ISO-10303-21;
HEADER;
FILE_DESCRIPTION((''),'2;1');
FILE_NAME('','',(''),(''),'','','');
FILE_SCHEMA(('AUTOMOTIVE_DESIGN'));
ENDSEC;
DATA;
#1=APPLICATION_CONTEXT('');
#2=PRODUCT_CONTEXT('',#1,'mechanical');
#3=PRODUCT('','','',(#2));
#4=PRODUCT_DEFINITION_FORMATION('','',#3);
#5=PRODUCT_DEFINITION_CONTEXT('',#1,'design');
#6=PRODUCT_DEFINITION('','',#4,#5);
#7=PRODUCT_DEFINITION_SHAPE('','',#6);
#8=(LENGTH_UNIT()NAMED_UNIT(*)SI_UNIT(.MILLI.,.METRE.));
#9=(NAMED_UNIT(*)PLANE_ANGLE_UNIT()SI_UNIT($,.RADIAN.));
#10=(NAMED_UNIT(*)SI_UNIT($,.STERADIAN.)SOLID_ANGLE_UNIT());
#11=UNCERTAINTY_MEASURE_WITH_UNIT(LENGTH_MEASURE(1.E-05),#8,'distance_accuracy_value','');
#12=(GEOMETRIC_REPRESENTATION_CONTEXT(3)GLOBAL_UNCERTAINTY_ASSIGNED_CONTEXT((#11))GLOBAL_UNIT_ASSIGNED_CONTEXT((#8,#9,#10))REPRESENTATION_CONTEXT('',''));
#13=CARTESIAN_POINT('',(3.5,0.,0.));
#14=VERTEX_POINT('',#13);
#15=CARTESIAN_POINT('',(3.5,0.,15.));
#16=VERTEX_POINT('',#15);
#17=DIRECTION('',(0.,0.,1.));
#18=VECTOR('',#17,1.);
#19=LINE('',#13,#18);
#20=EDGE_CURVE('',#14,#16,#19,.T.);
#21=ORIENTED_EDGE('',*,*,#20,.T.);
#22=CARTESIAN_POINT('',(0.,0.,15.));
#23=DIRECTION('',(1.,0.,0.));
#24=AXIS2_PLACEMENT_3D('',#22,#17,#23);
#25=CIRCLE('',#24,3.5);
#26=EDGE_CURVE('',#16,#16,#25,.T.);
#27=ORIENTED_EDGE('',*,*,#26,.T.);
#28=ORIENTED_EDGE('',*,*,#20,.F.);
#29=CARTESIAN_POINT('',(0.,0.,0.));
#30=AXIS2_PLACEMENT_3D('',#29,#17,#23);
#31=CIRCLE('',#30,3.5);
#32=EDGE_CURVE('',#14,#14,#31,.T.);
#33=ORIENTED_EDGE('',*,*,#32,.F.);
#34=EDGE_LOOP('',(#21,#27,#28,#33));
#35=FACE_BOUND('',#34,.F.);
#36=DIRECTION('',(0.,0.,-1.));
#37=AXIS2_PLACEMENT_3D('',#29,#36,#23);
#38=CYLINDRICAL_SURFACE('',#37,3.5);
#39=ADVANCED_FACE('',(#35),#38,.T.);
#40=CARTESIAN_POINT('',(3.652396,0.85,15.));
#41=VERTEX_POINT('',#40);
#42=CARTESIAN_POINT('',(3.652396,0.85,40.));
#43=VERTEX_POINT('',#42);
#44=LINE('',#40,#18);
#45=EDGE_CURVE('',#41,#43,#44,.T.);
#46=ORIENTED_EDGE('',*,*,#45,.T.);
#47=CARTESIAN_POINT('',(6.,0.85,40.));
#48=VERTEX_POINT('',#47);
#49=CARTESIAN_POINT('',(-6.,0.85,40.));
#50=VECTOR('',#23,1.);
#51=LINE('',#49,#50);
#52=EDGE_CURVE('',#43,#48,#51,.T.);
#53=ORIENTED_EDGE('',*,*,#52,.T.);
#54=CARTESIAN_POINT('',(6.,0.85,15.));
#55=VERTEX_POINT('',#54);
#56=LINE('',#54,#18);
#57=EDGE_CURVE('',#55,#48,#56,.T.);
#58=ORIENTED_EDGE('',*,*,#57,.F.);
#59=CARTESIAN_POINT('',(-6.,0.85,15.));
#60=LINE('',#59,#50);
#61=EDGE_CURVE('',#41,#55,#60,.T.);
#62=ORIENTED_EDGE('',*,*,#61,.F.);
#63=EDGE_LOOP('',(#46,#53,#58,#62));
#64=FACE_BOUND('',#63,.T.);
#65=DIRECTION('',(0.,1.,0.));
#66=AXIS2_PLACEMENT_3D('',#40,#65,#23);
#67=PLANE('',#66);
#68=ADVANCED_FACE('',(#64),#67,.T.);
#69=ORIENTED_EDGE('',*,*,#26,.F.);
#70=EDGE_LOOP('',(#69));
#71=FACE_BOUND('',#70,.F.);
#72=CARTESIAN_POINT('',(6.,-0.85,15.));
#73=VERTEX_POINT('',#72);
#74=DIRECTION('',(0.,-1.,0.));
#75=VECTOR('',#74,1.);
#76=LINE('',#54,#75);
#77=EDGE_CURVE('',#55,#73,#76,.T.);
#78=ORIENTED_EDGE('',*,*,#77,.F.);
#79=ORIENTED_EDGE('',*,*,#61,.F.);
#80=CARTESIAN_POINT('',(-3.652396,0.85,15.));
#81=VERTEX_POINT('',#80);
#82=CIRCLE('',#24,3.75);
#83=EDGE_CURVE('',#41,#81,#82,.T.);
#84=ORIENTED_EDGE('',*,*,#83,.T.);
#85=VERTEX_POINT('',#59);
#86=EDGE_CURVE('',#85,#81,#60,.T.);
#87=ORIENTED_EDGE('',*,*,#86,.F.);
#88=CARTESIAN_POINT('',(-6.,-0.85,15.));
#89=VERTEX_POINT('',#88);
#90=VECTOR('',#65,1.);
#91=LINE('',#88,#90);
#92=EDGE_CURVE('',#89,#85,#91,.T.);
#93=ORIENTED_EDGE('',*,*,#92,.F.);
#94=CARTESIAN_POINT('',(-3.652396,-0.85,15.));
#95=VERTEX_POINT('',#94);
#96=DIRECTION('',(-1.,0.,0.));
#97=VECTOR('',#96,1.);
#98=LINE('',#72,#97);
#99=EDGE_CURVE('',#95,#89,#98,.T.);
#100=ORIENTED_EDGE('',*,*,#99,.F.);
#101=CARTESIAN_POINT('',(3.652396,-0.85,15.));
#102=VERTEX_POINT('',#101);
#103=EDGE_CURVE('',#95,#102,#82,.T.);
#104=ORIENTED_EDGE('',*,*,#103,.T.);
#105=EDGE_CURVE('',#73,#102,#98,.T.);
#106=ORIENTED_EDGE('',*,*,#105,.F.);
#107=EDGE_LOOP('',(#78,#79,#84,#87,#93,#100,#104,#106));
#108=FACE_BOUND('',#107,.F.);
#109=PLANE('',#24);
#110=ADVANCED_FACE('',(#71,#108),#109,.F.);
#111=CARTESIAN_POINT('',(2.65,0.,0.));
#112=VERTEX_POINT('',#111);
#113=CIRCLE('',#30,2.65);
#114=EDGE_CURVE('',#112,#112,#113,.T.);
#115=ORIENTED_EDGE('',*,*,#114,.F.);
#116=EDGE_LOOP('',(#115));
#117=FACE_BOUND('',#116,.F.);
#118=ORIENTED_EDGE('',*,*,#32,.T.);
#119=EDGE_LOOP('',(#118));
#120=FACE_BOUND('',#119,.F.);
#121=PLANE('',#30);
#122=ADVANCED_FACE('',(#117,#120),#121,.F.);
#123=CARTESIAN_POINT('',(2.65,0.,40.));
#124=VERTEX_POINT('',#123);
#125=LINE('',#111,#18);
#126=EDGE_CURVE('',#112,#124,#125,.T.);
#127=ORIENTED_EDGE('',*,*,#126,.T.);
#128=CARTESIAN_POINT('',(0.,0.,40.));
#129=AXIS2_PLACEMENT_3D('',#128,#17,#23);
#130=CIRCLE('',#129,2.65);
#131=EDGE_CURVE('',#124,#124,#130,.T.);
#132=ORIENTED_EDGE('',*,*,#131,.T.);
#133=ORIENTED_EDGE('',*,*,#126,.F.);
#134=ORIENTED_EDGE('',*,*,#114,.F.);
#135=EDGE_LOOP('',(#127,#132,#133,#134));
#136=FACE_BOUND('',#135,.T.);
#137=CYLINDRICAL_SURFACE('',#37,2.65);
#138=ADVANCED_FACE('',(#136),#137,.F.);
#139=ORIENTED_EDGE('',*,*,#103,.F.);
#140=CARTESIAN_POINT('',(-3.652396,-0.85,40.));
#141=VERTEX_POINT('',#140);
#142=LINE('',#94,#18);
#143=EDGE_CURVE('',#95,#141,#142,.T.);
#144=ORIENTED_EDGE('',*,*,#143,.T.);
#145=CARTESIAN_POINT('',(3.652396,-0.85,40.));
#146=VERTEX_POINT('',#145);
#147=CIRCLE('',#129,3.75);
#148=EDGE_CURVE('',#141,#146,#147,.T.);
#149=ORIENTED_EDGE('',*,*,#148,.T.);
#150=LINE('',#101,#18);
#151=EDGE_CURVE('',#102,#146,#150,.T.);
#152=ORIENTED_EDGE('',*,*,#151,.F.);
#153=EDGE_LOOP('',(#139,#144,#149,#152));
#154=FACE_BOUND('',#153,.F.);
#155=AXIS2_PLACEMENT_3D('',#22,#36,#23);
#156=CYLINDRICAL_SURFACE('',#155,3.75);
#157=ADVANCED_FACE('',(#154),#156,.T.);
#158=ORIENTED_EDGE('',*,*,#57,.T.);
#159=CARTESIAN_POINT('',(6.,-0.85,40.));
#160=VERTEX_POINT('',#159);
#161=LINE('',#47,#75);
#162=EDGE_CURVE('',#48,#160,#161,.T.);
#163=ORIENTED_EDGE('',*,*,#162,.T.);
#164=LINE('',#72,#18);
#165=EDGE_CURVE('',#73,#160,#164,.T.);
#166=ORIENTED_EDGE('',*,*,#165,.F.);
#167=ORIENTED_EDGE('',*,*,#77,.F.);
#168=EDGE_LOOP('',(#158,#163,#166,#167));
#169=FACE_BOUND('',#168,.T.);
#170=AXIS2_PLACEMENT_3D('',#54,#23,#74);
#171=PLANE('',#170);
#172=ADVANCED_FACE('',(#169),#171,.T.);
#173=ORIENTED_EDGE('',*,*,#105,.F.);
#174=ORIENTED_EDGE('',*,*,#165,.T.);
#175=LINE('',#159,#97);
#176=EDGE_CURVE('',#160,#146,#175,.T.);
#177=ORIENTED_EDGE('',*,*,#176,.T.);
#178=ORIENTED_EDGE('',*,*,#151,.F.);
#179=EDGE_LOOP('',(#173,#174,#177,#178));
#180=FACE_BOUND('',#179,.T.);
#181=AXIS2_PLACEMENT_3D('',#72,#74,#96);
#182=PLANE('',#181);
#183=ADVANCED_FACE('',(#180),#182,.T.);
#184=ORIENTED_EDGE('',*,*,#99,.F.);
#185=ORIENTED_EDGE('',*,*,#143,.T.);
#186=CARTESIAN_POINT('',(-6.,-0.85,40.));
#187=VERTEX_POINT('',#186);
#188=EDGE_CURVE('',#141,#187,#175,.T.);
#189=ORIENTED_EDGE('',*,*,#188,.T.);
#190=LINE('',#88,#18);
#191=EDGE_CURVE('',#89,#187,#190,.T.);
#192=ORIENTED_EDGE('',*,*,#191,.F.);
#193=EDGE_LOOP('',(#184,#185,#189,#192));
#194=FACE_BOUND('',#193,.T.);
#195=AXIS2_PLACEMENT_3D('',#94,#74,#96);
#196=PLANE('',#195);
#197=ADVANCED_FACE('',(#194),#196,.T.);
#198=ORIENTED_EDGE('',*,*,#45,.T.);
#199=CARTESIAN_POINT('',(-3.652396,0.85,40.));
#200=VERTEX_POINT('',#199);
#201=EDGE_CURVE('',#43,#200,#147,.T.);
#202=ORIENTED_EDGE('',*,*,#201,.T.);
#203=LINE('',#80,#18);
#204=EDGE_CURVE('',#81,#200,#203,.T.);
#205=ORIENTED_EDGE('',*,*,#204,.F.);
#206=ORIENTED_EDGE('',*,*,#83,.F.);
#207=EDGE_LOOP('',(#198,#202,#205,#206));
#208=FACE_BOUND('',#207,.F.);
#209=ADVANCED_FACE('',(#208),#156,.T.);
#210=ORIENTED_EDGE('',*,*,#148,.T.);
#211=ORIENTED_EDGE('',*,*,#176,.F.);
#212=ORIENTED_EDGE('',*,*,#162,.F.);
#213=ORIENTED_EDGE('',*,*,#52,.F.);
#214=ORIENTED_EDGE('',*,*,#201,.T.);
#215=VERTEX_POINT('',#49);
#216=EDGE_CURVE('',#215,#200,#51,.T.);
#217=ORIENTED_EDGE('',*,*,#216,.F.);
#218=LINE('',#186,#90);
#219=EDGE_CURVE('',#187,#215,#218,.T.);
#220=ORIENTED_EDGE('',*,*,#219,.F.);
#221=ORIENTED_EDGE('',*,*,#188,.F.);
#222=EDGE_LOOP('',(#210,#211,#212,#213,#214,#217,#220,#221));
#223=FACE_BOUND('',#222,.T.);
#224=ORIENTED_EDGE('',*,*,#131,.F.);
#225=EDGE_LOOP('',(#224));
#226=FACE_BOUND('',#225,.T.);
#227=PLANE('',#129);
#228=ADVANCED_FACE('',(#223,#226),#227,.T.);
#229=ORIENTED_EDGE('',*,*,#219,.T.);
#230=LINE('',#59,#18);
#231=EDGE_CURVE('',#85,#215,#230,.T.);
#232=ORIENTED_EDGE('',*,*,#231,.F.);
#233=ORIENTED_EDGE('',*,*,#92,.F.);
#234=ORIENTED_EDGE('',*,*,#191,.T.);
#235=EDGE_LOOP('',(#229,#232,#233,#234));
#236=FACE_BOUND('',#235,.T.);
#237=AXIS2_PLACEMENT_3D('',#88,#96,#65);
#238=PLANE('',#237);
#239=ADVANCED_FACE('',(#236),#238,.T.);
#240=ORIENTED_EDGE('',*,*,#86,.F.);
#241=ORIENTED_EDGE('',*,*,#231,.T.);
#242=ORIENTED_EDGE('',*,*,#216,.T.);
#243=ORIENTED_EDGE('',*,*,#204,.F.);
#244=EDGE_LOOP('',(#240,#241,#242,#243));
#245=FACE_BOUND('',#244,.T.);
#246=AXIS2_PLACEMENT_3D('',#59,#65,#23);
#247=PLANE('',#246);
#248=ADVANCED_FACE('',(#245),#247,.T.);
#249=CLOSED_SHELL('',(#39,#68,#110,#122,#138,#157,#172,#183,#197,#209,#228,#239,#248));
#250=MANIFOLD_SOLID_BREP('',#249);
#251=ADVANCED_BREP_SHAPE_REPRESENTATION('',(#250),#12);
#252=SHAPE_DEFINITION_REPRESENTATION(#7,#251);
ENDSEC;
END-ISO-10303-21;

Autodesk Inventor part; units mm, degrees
ref_plane "YZ Plane" through (0, 0, 0) normal (1, 0, 0) x (0, 1, 0)
ref_plane "XZ Plane" through (0, 0, 0) normal (0, 1, 0) x (-1, 0, 0)
ref_plane "XY Plane" through (0, 0, 0) normal (0, 0, 1) x (1, 0, 0)
sketch "Sketch1" plane through (0, 0, 0) normal (0, 0, 1) x (1, 0, 0)
  circle A0 centre (0, 0) radius 2.65
  circle A1 centre (0, 0) radius 3.5
  dimension "d0" = 5.3
  dimension "d1" = 7
extrude "Extrusion1" add sketch "Sketch1" along normal blind 15
sketch "Sketch2" plane through (0, 0, 15) normal (0, 0, 1) x (1, 0, 0)
  circle A0 centre (0, 0) radius 2.65 projected
  circle A1 centre (0, 0) radius 3.75
  line L0 (-6, 0.85) -> (6, 0.85)
  line L1 (6, 0.85) -> (6, -0.85)
  line L2 (6, -0.85) -> (-6, -0.85)
  line L3 (-6, -0.85) -> (-6, 0.85)
  line L4 (-6, 0.85) -> (6, -0.85) construction
  line L5 (6, 0.85) -> (-6, -0.85) construction
  point P0 (-3.6524, 0.85)
  point P1 (-3.6524, -0.85)
  point P2 (3.6524, -0.85)
  point P3 (3.6524, 0.85)
  dimension "d4" = 7.5
  dimension "d5" = 12
  dimension "d6" = 1.7
extrude "Extrusion2" add sketch "Sketch2" along normal blind 25 contours A0 L0 A1 L2 | A0 L0 A1 | L2 A1 A0 | A0 L2 A1 L0 | L0 L1 L2 A1 | A1 L2 L3 L0
properties part number "final pin_3DPrint"
